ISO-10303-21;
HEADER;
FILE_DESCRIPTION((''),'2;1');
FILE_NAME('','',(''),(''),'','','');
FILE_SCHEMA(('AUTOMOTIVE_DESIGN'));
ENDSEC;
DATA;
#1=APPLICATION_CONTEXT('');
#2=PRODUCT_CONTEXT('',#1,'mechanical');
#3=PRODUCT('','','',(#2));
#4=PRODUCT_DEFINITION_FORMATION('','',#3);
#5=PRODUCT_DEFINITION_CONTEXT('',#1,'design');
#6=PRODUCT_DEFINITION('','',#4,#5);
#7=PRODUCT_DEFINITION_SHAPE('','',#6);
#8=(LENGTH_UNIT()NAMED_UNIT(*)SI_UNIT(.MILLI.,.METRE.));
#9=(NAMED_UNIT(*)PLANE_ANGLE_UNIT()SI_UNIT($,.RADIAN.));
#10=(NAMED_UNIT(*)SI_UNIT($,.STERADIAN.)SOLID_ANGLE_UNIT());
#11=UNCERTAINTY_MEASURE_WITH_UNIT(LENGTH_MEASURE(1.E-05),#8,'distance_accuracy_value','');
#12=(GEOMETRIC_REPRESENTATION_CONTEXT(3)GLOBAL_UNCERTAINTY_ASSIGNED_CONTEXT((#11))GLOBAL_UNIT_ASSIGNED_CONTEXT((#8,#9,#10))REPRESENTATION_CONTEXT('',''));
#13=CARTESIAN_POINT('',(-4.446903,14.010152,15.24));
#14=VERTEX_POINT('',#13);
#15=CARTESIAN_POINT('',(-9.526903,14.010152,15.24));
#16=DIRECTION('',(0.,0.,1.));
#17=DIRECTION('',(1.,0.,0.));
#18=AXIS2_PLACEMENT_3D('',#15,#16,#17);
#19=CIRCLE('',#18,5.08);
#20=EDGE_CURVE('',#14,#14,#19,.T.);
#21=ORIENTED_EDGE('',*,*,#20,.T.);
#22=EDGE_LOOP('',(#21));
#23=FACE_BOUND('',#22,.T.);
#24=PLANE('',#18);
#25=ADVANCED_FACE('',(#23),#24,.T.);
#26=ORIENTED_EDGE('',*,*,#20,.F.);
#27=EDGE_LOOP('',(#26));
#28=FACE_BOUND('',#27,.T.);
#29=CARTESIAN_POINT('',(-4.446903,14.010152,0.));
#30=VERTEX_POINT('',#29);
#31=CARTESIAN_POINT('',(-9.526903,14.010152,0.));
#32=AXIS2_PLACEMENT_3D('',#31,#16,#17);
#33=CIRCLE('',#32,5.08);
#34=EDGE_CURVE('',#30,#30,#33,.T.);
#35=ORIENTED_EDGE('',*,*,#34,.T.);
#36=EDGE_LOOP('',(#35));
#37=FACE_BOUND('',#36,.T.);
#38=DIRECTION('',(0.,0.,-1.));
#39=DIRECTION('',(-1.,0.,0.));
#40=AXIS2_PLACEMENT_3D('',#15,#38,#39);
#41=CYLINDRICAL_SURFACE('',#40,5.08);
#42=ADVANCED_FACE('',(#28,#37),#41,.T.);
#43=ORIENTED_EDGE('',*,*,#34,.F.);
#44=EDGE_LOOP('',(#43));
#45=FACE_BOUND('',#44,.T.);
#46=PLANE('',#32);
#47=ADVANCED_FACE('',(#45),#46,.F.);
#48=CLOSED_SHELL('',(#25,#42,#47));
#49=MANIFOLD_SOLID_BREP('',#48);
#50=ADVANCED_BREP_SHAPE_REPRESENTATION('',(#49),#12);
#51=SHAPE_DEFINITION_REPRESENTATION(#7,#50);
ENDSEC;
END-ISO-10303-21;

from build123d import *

# Parameters (mm, degrees)
SKETCH1_R           = 5.08
BOSS_EXTRUDE1_DEPTH = 15.24


with BuildPart() as part:
    # Sketch1 → Boss-Extrude1 (new body)
    with BuildSketch(Plane.XY):
        with Locations((-9.526903158, 14.010151704)):
            Circle(SKETCH1_R)
    extrude(amount=BOSS_EXTRUDE1_DEPTH)


solid = part.part
